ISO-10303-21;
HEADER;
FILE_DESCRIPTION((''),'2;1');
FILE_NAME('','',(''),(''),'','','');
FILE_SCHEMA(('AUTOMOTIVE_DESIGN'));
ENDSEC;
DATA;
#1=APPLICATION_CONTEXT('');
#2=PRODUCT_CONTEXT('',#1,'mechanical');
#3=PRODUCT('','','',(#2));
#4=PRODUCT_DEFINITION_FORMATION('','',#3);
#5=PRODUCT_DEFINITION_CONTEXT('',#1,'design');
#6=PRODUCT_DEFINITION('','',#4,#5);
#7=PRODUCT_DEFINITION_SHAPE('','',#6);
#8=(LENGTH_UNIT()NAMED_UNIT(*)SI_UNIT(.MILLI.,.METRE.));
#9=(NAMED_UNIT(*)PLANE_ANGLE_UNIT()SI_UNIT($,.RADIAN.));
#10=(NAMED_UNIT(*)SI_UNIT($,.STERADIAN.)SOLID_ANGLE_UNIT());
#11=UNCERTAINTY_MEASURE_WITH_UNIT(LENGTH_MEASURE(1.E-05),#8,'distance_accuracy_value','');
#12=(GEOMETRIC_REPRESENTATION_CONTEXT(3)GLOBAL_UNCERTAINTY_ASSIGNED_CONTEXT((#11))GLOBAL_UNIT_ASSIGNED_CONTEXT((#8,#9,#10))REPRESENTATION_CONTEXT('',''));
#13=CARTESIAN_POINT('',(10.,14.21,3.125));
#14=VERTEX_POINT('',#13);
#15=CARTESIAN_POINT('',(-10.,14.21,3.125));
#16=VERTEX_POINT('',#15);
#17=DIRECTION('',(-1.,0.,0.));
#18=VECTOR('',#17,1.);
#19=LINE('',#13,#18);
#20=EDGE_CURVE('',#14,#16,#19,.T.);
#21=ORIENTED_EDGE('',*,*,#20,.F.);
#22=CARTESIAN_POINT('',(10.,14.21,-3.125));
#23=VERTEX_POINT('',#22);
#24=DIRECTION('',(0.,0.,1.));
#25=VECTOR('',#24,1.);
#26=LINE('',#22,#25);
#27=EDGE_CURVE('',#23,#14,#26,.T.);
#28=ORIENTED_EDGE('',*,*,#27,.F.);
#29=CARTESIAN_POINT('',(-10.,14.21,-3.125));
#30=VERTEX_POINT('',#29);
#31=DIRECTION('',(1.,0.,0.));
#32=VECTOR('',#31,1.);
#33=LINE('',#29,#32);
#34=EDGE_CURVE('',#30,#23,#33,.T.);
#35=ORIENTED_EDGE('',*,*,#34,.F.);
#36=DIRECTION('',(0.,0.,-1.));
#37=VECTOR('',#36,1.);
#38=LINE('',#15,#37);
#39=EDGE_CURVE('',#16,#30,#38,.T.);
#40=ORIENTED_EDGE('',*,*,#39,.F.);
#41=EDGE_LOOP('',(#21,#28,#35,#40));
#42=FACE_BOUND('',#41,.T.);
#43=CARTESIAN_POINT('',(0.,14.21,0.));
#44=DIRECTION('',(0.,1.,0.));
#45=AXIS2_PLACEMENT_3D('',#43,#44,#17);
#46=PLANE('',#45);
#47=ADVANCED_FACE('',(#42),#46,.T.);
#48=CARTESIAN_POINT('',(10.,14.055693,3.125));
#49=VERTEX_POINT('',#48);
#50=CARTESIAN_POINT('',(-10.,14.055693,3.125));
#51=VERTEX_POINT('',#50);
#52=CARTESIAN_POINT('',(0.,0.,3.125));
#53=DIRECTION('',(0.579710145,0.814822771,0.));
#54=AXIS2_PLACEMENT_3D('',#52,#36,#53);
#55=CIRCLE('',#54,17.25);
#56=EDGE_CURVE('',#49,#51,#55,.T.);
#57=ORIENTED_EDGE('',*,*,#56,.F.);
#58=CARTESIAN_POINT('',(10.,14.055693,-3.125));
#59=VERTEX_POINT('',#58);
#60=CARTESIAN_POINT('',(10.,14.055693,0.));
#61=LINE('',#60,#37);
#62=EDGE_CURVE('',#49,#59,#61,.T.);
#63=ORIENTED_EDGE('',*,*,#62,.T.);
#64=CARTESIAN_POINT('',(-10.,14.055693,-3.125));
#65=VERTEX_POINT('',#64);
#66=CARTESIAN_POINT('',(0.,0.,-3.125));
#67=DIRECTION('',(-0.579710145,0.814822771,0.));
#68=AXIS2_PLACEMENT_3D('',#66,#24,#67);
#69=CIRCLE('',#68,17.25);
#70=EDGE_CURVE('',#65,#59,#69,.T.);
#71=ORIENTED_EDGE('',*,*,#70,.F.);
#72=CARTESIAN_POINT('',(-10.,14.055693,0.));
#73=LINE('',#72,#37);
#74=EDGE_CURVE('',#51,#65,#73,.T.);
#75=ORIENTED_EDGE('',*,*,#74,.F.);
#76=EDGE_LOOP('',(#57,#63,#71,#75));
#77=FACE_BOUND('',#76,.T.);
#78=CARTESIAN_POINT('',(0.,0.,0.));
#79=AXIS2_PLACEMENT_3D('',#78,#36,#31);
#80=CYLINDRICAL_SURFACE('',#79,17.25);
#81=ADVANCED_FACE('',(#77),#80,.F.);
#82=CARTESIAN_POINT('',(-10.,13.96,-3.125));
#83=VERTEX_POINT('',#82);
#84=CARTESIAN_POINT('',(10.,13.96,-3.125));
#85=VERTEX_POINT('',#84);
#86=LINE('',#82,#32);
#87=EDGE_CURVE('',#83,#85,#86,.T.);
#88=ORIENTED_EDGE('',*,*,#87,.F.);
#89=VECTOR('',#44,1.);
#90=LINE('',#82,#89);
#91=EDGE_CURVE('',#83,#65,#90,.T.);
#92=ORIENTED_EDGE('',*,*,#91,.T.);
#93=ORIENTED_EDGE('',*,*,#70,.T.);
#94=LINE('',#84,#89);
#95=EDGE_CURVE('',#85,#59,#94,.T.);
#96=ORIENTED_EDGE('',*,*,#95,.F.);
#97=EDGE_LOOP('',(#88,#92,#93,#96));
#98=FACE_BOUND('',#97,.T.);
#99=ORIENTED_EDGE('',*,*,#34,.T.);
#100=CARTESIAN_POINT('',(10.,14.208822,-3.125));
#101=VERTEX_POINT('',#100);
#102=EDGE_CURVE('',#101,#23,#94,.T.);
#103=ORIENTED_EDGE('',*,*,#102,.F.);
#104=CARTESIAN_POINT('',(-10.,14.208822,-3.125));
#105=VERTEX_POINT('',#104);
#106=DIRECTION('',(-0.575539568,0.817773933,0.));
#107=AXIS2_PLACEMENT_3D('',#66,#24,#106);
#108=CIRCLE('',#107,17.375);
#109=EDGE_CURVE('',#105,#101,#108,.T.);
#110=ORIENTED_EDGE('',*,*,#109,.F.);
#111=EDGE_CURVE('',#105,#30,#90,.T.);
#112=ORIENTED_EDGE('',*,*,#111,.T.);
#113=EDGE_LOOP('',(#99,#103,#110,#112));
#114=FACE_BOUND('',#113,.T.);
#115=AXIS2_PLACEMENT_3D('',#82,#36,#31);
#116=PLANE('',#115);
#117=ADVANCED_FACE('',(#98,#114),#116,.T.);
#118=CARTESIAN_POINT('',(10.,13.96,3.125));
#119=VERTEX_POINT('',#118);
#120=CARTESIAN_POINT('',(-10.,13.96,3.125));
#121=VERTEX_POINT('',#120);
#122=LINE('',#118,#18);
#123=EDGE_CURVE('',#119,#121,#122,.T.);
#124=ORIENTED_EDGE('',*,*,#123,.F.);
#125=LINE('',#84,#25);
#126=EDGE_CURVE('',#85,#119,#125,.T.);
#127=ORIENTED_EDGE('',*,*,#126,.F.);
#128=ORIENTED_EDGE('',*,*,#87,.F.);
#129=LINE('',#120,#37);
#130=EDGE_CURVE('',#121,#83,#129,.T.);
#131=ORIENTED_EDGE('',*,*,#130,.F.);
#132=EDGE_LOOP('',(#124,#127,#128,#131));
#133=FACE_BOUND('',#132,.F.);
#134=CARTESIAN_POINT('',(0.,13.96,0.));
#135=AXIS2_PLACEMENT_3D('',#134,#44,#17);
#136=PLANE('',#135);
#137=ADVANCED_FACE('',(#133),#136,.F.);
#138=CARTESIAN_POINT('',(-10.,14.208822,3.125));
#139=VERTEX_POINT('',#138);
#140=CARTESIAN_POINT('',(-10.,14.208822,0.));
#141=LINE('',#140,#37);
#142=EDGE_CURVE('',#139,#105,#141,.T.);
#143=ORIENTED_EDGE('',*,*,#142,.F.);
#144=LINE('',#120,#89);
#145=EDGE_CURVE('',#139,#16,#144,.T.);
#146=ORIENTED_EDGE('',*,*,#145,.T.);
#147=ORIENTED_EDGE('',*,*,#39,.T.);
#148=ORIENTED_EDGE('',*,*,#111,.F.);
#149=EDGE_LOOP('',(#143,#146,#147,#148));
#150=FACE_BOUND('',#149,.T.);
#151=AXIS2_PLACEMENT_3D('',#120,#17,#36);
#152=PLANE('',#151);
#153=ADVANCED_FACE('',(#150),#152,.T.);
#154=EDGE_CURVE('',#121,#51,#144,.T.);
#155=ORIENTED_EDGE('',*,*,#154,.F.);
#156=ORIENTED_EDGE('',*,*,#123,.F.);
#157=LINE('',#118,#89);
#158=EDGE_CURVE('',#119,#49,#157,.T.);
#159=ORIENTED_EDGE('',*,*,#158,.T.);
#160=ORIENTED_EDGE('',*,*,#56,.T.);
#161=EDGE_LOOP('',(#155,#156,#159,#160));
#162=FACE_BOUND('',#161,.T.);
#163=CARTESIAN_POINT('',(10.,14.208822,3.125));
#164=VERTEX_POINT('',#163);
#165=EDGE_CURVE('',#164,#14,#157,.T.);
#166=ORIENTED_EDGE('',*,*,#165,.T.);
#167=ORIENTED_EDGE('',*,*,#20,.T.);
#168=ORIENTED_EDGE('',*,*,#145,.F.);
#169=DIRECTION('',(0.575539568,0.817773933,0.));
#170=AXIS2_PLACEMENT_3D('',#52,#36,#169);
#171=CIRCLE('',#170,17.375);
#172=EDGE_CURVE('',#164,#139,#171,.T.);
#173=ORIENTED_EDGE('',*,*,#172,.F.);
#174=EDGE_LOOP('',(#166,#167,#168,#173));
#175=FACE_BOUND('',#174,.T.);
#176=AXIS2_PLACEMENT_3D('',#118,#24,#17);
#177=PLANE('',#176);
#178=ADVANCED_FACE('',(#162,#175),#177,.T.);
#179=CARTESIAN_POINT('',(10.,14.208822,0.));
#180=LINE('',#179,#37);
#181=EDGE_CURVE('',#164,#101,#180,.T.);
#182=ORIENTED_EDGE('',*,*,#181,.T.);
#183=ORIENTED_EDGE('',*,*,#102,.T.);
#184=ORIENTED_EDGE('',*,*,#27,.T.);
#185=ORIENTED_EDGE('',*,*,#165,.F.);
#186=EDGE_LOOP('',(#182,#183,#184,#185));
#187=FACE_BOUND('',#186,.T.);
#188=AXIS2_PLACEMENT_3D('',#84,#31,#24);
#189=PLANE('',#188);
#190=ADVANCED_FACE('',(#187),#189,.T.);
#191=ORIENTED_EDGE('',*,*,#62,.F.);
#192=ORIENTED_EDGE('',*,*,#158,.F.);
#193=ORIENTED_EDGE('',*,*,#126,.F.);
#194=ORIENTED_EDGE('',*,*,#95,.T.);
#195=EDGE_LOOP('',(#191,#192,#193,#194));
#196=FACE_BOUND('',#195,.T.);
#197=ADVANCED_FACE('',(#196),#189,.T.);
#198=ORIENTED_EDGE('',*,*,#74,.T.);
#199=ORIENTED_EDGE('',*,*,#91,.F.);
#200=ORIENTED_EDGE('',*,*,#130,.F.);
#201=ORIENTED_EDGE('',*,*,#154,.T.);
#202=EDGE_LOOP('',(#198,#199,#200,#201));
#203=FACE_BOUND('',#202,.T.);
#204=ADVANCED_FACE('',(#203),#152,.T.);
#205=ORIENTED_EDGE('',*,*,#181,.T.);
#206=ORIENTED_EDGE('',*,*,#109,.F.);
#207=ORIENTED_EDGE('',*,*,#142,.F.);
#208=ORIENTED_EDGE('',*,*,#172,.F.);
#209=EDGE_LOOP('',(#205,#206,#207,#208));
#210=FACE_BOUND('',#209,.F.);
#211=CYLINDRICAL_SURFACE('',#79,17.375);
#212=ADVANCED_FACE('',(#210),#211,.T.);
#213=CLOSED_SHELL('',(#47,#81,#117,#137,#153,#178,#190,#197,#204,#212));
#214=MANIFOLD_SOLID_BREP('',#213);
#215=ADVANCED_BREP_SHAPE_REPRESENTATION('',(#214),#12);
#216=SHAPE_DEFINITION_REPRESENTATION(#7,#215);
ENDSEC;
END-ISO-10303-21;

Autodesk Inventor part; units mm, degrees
sketch "Sketch3" plane through (0, 0, 0) normal (0, 0, 1) x (1, 0, 0)
  circle A0 centre (0, 0) radius 17.25
  circle A1 centre (0, 0) radius 17.375
  dimension "d8" = 34.5
  dimension "d9" = 34.75
extrude "Extrusion3" add sketch "Sketch3" along normal mid plane 6.25
sketch "Sketch4" plane through (0, 0, 3.125) normal (0, 0, 1) x (1, 0, 0)
  circle A0 centre (0, 0) radius 17.375
  circle A1 centre (0, 0) radius 17.625
  dimension "d12" = 34.75
  dimension "d13" = 0.25
extrude "Extrusion4" cut sketch "Sketch4" along normal blind 0.25 and the other way blind 5.75
ref_plane "Work Plane4" through (0, 17.5, 0) normal (0, 1, 0) x (-1, 0, 0)
sketch "Sketch6" plane through (0, 17.5, 0) normal (0, 1, 0) x (-1, 0, 0)
  line L0 (-10, 3.75) -> (10, 3.75)
  line L1 (10, 3.75) -> (10, -3.75)
  line L2 (10, -3.75) -> (-10, -3.75)
  line L3 (-10, -3.75) -> (-10, 3.75)
  line L4 (-10, 3.75) -> (10, -3.75) construction
  line L5 (10, 3.75) -> (-10, -3.75) construction
  point P0 (0, 0)
  dimension "d19" = 20
  dimension "d20" = 7.5
extrude "Extrusion5" cut sketch "Sketch6" against normal blind 10
ref_plane "Work Plane3" through (0, 17.5, 0) normal (0, 1, 0) x (-1, 0, 0)
sketch "Sketch7" plane through (0, 17.5, 0) normal (0, 1, 0) x (-1, 0, 0)
  point P0 (0, 0)
sketch "Sketch8" plane through (10, 14.0557, -3.125) normal (-1, 0, 0) x (0, 0, 1)
  line L0 (6.25, 0) -> (0, 0)
  line L1 (0, 0) -> (0, 0.1531)
  line L2 (0, 0.1531) -> (6.25, 0.1531)
  line L3 (6.25, 0.1531) -> (0, 0.1531) projected
  point P0 (3.125, 0.1531)
  point P1 (3.125, 0.1531)
ref_plane "Work Plane5" through (0, 13.96, 0) normal (0, 1, 0) x (-1, 0, 0)
sketch "Sketch9" plane through (0, 13.96, 0) normal (0, 1, 0) x (-1, 0, 0)
  line L0 (-10, -3.125) -> (-10, 3.125) projected
  line L1 (10, -3.125) -> (-10, -3.125)
  line L2 (-10, -3.125) -> (-10, 3.125)
  line L3 (-10, 3.125) -> (10, 3.125)
  line L4 (10, 3.125) -> (10, -3.125)
  point P0 (0, 0)
extrude "Extrusion6" add sketch "Sketch9" along normal blind 0.25
properties part number "Small_Ring" material "Iron, Cast"
